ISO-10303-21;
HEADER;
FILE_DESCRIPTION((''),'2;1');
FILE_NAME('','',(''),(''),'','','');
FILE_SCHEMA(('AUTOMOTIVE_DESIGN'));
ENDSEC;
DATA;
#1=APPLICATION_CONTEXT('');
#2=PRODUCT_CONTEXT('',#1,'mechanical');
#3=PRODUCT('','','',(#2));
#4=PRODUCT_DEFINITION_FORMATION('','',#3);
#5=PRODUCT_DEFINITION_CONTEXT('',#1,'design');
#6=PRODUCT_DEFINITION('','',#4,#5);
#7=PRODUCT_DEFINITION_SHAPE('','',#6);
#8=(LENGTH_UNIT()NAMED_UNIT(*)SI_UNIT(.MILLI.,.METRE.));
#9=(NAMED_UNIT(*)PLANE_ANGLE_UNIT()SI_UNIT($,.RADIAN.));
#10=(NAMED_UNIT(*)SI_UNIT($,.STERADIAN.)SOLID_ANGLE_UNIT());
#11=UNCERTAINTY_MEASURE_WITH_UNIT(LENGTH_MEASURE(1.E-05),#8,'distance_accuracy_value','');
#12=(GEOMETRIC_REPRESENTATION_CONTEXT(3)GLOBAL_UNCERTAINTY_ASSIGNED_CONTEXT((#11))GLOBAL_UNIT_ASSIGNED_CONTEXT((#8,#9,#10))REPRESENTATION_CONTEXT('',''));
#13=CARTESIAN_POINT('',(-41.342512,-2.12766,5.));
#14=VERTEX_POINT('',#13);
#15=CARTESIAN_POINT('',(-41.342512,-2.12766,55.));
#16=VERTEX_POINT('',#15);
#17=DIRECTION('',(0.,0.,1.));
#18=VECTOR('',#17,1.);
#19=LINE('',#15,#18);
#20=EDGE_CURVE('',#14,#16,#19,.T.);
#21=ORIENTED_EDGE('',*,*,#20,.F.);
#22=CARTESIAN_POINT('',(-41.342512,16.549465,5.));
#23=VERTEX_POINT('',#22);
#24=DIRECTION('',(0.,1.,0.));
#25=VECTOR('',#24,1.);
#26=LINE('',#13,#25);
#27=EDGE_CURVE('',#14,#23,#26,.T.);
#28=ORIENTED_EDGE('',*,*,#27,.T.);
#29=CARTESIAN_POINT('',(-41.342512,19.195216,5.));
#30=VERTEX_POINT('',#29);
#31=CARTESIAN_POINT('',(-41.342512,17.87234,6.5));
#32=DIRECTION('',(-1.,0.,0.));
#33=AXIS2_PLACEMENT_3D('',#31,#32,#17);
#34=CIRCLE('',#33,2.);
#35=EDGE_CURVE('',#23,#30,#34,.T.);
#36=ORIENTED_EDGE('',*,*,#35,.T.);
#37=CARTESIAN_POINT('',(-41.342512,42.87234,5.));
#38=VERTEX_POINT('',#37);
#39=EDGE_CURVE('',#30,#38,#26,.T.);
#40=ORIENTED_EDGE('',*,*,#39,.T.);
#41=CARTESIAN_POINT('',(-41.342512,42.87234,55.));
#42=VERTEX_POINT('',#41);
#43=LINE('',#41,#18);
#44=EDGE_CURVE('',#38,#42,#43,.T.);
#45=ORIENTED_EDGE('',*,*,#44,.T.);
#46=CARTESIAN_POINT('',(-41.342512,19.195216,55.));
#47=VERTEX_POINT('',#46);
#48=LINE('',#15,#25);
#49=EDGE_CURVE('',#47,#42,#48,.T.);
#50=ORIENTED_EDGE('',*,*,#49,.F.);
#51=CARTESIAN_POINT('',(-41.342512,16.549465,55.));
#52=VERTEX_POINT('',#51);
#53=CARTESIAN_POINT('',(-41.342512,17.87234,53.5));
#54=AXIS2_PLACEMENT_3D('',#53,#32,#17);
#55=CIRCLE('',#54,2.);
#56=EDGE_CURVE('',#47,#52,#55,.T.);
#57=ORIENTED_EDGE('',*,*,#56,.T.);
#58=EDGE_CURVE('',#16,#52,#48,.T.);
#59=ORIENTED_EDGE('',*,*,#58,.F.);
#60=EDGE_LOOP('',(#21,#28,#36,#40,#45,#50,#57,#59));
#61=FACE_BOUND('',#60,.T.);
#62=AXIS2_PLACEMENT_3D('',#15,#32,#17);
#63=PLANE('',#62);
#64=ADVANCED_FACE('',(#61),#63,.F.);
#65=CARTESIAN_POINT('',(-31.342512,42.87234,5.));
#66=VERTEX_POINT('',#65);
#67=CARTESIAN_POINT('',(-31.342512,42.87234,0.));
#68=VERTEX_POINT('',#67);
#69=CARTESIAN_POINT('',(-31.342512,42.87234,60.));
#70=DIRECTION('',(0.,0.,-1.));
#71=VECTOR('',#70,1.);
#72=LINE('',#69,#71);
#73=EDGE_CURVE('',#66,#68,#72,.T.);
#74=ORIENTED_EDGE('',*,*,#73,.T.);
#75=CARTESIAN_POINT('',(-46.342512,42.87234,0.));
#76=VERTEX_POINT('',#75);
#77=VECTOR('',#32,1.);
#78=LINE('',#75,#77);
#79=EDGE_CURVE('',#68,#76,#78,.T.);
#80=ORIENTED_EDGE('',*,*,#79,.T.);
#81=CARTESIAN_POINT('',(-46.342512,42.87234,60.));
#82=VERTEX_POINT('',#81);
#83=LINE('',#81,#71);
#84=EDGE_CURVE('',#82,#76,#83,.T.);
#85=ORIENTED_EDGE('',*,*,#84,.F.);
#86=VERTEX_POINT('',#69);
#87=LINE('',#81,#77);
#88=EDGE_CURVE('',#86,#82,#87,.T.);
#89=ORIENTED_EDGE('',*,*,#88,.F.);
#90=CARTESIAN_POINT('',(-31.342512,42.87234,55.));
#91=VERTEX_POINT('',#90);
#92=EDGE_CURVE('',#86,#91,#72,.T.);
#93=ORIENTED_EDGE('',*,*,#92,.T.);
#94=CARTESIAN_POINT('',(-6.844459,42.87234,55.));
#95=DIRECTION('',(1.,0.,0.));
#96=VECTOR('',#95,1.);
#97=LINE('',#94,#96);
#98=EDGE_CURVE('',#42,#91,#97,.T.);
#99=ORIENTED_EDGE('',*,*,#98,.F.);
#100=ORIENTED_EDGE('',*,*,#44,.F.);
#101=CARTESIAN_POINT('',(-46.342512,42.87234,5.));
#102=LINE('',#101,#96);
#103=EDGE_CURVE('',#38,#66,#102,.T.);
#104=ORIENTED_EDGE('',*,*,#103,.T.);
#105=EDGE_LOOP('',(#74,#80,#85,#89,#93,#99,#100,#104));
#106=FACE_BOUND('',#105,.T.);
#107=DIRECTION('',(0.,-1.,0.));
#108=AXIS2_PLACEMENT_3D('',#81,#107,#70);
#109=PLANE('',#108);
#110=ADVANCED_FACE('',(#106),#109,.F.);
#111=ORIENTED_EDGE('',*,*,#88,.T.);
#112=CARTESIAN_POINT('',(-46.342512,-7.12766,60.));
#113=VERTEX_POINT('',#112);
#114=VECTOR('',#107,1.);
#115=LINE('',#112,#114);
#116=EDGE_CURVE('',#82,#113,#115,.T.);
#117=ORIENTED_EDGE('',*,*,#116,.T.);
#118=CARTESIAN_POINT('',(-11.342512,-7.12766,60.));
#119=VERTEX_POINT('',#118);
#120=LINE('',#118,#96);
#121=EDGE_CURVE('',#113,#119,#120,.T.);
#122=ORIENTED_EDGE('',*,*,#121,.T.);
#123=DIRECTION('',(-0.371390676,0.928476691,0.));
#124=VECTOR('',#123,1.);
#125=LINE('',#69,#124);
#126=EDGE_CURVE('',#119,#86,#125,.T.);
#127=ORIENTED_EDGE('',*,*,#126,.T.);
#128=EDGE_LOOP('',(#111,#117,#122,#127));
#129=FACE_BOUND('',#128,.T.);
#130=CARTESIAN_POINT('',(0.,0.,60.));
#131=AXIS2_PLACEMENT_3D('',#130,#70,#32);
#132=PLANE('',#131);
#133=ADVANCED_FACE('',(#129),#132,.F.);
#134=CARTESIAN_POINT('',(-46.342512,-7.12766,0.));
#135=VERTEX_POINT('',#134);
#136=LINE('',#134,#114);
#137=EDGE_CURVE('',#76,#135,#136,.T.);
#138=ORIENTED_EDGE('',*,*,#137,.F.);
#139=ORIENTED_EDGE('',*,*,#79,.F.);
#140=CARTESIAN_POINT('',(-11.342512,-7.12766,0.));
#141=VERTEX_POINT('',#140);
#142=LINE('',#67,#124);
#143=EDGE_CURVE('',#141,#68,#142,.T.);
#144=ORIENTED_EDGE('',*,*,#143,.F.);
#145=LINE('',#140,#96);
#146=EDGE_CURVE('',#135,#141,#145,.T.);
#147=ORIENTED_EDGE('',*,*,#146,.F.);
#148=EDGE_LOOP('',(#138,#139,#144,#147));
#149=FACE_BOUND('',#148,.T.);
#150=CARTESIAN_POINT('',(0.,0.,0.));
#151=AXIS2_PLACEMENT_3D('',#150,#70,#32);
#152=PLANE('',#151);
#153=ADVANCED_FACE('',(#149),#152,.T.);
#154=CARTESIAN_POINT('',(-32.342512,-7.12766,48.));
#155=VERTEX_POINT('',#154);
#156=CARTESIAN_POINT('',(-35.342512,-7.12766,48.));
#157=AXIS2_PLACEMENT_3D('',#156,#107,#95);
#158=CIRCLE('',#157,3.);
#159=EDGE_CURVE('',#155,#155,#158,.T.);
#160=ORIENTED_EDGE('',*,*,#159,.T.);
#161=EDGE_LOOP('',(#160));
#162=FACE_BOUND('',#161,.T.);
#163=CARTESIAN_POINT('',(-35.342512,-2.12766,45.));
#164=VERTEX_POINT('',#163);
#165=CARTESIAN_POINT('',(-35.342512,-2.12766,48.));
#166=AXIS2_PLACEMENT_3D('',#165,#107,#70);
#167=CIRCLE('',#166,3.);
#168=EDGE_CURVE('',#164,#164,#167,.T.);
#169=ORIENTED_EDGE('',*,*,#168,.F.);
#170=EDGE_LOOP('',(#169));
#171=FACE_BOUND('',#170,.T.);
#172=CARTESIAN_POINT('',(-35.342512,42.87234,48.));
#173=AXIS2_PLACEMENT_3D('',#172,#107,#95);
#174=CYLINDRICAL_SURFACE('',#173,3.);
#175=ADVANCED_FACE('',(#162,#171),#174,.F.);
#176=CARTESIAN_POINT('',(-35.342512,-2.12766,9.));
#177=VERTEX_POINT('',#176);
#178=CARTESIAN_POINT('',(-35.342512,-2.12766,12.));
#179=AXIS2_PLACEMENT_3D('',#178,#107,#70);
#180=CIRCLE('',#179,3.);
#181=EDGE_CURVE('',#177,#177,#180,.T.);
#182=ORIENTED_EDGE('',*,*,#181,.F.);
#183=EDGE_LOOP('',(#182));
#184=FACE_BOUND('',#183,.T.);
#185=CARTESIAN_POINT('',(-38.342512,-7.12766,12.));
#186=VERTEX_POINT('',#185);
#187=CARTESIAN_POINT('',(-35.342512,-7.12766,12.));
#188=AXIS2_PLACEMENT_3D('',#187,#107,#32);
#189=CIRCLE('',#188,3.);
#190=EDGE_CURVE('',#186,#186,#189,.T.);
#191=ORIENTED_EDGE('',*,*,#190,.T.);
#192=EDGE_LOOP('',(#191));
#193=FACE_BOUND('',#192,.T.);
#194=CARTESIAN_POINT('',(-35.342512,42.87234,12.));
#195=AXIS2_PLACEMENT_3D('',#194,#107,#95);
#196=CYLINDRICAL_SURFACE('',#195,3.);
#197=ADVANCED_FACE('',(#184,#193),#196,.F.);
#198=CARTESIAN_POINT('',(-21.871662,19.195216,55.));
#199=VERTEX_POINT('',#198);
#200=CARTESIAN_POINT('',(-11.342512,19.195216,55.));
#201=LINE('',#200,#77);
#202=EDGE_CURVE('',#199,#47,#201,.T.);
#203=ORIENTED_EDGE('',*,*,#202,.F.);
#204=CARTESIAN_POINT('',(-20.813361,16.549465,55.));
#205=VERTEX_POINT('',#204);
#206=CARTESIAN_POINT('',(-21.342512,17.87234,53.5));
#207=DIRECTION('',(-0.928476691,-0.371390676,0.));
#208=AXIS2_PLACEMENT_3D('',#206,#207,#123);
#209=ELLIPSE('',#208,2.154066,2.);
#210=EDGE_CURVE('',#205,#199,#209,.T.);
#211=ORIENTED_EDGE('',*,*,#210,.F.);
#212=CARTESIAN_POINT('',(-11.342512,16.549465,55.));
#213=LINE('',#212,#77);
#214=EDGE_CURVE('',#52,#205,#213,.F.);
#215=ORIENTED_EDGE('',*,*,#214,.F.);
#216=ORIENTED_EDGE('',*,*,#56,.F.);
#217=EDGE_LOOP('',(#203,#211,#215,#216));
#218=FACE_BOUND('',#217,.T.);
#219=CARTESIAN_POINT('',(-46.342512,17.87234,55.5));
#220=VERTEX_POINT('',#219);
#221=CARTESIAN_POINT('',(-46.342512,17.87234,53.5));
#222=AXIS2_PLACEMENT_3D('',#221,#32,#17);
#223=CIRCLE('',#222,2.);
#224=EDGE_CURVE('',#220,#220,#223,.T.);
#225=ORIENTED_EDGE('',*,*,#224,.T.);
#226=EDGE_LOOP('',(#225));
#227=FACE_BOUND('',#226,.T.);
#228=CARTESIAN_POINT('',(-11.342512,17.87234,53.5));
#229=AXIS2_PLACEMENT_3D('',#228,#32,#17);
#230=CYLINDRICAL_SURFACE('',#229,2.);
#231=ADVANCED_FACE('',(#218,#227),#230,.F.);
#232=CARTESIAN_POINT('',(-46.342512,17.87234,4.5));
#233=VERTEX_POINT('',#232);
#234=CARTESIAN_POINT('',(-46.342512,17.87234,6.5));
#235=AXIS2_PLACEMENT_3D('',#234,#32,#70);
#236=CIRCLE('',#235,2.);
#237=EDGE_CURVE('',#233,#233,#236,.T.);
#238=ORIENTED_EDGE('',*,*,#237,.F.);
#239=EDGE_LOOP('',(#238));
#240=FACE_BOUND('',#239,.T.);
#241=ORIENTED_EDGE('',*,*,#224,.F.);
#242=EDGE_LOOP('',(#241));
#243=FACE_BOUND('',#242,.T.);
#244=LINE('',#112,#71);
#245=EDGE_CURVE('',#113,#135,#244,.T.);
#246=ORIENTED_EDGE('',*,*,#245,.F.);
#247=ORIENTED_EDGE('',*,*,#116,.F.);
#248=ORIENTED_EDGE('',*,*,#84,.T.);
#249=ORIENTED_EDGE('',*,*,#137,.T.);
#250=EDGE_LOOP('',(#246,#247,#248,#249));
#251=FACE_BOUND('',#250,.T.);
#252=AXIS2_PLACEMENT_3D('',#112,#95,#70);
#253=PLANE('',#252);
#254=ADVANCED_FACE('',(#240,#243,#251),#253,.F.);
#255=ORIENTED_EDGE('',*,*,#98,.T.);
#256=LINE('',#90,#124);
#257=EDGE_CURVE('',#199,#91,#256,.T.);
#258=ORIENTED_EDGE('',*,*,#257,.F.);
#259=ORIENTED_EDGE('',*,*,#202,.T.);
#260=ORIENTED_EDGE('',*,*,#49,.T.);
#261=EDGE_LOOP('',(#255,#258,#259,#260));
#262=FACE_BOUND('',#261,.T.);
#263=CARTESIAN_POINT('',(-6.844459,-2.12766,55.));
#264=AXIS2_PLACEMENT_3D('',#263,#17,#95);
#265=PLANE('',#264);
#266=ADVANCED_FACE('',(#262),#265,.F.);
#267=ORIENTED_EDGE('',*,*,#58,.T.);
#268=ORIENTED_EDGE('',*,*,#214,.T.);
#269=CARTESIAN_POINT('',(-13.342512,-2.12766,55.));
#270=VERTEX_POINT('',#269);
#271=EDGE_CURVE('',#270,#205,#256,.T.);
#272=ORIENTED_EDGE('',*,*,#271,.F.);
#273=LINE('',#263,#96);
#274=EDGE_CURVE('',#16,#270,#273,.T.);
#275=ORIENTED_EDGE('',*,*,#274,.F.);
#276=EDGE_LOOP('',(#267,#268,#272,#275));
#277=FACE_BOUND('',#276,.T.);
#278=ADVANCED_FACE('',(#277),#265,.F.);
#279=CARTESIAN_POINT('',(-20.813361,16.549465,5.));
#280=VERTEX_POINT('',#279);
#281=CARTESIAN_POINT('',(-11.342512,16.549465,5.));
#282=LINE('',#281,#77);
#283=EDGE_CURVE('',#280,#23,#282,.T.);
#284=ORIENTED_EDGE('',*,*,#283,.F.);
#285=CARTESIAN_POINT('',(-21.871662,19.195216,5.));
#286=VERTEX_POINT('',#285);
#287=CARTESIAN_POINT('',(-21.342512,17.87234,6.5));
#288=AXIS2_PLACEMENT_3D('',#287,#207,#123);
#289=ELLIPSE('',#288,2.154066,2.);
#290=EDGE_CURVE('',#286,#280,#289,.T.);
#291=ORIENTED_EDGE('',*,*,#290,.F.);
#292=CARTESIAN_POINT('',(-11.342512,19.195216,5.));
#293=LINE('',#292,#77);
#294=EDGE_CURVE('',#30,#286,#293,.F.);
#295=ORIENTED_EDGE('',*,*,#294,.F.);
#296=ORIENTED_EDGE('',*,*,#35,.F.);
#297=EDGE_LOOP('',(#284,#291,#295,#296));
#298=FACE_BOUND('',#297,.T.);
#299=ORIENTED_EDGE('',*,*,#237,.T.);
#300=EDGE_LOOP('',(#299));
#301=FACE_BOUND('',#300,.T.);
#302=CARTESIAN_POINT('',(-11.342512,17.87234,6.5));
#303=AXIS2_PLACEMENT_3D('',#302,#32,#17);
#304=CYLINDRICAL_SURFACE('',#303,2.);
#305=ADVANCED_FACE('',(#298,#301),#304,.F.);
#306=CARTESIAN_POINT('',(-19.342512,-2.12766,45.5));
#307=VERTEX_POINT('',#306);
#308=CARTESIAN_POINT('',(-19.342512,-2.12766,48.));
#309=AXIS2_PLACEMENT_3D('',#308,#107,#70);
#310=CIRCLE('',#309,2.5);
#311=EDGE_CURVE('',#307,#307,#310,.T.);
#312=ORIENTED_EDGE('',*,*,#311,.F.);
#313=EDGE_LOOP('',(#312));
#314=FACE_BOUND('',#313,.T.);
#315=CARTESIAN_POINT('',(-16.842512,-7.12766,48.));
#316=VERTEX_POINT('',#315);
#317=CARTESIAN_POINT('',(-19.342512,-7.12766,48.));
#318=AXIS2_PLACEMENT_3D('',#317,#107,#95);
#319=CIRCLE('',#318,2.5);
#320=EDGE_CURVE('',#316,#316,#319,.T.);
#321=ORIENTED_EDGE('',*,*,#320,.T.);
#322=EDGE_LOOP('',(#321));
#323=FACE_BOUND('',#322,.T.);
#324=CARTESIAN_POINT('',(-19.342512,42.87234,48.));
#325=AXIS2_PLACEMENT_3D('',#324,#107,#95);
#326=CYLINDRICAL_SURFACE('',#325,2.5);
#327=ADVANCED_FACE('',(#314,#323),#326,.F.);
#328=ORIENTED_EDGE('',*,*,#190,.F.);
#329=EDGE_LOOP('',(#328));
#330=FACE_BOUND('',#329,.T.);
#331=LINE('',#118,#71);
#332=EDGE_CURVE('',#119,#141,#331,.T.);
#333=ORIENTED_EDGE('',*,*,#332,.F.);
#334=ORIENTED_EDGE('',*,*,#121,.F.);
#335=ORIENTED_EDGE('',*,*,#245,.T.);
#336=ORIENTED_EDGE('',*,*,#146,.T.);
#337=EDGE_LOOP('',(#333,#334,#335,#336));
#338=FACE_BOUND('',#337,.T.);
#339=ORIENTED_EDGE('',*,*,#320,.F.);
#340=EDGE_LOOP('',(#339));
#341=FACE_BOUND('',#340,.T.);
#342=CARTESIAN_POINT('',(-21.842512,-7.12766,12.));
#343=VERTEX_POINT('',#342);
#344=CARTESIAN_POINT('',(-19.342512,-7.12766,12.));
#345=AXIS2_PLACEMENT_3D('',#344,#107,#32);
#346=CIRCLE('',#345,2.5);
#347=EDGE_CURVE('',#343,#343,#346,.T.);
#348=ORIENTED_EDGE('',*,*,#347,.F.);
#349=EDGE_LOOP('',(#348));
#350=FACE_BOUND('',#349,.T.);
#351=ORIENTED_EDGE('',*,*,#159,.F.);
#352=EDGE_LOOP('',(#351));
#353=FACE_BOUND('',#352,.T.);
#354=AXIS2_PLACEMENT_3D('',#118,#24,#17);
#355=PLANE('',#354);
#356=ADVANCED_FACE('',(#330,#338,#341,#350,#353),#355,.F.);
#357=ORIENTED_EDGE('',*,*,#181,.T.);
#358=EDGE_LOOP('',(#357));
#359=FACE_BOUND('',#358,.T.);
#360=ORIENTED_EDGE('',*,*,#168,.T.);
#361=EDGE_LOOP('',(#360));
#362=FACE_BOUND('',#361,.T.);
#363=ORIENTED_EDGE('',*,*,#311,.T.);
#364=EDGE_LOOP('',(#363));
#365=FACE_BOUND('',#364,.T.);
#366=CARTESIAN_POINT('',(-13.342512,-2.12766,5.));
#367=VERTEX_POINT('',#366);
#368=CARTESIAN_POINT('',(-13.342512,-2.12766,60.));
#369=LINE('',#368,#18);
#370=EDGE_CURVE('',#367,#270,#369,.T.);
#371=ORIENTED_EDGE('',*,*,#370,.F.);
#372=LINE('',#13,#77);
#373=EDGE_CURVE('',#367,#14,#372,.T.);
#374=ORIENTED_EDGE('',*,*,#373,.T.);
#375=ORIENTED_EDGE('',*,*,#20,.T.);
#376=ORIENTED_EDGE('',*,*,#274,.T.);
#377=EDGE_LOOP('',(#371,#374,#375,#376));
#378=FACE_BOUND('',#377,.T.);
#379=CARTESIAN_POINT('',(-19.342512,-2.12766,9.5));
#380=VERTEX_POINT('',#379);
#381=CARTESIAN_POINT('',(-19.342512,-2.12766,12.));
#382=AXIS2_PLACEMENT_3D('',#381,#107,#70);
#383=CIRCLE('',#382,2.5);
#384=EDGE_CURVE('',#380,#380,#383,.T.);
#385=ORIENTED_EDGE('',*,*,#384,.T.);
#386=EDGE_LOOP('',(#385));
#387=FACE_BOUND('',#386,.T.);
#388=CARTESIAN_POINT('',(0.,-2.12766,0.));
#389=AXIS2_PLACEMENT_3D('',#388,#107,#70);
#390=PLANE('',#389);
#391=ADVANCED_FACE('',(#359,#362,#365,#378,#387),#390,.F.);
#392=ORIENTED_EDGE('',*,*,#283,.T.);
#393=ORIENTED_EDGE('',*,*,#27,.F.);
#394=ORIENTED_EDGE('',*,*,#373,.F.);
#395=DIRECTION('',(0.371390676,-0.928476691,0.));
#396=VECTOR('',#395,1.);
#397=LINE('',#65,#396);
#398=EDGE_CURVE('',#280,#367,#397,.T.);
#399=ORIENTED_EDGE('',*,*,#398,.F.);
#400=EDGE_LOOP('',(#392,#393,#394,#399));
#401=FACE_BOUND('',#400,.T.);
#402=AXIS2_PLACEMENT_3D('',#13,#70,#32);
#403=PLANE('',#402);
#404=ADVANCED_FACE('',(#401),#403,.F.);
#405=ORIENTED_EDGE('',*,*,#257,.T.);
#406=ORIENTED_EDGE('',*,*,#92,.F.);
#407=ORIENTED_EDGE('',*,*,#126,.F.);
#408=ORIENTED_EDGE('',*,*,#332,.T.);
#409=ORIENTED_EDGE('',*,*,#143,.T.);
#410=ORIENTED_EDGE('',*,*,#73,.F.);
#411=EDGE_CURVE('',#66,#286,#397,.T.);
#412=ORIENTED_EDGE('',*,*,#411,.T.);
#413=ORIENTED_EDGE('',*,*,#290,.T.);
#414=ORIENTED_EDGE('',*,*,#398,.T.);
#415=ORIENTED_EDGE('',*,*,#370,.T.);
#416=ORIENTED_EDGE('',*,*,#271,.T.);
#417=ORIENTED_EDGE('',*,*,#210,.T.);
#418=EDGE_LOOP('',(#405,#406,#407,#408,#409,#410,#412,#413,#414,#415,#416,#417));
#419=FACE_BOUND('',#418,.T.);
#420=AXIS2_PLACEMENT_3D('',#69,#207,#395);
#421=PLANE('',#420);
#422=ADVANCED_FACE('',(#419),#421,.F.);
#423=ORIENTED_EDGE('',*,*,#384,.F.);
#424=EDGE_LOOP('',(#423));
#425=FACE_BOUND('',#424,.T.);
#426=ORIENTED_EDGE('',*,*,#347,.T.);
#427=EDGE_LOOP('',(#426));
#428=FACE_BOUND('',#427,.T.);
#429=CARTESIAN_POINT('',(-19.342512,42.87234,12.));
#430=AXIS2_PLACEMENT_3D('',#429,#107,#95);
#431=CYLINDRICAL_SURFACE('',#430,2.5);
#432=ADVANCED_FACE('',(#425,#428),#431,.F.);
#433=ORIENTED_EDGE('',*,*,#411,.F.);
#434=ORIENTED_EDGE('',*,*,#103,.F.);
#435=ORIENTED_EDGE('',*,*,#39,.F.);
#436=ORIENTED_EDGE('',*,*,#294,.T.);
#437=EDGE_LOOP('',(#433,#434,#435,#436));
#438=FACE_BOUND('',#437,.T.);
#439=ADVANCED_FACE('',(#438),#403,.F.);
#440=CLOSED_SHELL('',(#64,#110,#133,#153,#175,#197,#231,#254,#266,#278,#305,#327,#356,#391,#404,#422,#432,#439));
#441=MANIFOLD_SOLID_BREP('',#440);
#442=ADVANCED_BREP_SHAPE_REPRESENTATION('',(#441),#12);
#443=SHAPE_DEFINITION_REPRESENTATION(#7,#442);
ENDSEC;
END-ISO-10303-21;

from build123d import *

# Parameters (mm, degrees)
EXTRUDE_1_DEPTH     = 60
SKETCH_2_W          = 34.498052415
SKETCH_2_H          = 50
CUT_EXTRUDE_1_DEPTH = 45
SKETCH_3_R          = 3
SKETCH_3_R_2        = 2.5
CUT_EXTRUDE_2_DEPTH = 91.816454432
SKETCH_6_R          = 2
CUT_EXTRUDE_3_DEPTH = 82.627431502


with BuildPart() as part:
    # 草图1 → 凸台-拉伸1 (new body)
    with BuildSketch(Plane.XY):
        Polygon((-11.342511753, -7.127659574), (-46.342511753, -7.127659574), (-46.342511753, 42.872340426), (-31.342511753, 42.872340426), align=None)
    extrude(amount=EXTRUDE_1_DEPTH)

    # 草图2 → 切除-拉伸1 (cut)
    with BuildSketch(Plane(origin=(0, 42.872340426, 0), x_dir=(1, 0, 0), z_dir=(0, 1, 0))):
        with Locations((-24.093485546, -30)):
            Rectangle(SKETCH_2_W, SKETCH_2_H)
    extrude(amount=-CUT_EXTRUDE_1_DEPTH, mode=Mode.SUBTRACT)

    # 草图3 → 切除-拉伸2 (cut, through all)
    with BuildSketch(Plane.XZ.offset(7.127659574)):
        with Locations((-35.342511753, 48)):
            Circle(SKETCH_3_R)
        with Locations(Location((-35.342511753, 12, 0), (0, 0, 270))):
            Circle(SKETCH_3_R)
        with Locations(Location((-19.342511753, 12, 0), (0, 0, 270))):
            Circle(SKETCH_3_R_2)
        with Locations((-19.342511753, 48)):
            Circle(SKETCH_3_R_2)
    extrude(amount=-CUT_EXTRUDE_2_DEPTH, mode=Mode.SUBTRACT)

    # 草图6 → 切除-拉伸3 (cut, through all)
    with BuildSketch(Plane.ZY.offset(46.342511753)):
        with Locations((53.5, 17.872340426)):
            Circle(SKETCH_6_R)
        with Locations(Location((6.5, 17.872340426, 0), (0, 0, 221.409622109))):
            Circle(SKETCH_6_R)
    extrude(amount=-CUT_EXTRUDE_3_DEPTH, mode=Mode.SUBTRACT)


solid = part.part
